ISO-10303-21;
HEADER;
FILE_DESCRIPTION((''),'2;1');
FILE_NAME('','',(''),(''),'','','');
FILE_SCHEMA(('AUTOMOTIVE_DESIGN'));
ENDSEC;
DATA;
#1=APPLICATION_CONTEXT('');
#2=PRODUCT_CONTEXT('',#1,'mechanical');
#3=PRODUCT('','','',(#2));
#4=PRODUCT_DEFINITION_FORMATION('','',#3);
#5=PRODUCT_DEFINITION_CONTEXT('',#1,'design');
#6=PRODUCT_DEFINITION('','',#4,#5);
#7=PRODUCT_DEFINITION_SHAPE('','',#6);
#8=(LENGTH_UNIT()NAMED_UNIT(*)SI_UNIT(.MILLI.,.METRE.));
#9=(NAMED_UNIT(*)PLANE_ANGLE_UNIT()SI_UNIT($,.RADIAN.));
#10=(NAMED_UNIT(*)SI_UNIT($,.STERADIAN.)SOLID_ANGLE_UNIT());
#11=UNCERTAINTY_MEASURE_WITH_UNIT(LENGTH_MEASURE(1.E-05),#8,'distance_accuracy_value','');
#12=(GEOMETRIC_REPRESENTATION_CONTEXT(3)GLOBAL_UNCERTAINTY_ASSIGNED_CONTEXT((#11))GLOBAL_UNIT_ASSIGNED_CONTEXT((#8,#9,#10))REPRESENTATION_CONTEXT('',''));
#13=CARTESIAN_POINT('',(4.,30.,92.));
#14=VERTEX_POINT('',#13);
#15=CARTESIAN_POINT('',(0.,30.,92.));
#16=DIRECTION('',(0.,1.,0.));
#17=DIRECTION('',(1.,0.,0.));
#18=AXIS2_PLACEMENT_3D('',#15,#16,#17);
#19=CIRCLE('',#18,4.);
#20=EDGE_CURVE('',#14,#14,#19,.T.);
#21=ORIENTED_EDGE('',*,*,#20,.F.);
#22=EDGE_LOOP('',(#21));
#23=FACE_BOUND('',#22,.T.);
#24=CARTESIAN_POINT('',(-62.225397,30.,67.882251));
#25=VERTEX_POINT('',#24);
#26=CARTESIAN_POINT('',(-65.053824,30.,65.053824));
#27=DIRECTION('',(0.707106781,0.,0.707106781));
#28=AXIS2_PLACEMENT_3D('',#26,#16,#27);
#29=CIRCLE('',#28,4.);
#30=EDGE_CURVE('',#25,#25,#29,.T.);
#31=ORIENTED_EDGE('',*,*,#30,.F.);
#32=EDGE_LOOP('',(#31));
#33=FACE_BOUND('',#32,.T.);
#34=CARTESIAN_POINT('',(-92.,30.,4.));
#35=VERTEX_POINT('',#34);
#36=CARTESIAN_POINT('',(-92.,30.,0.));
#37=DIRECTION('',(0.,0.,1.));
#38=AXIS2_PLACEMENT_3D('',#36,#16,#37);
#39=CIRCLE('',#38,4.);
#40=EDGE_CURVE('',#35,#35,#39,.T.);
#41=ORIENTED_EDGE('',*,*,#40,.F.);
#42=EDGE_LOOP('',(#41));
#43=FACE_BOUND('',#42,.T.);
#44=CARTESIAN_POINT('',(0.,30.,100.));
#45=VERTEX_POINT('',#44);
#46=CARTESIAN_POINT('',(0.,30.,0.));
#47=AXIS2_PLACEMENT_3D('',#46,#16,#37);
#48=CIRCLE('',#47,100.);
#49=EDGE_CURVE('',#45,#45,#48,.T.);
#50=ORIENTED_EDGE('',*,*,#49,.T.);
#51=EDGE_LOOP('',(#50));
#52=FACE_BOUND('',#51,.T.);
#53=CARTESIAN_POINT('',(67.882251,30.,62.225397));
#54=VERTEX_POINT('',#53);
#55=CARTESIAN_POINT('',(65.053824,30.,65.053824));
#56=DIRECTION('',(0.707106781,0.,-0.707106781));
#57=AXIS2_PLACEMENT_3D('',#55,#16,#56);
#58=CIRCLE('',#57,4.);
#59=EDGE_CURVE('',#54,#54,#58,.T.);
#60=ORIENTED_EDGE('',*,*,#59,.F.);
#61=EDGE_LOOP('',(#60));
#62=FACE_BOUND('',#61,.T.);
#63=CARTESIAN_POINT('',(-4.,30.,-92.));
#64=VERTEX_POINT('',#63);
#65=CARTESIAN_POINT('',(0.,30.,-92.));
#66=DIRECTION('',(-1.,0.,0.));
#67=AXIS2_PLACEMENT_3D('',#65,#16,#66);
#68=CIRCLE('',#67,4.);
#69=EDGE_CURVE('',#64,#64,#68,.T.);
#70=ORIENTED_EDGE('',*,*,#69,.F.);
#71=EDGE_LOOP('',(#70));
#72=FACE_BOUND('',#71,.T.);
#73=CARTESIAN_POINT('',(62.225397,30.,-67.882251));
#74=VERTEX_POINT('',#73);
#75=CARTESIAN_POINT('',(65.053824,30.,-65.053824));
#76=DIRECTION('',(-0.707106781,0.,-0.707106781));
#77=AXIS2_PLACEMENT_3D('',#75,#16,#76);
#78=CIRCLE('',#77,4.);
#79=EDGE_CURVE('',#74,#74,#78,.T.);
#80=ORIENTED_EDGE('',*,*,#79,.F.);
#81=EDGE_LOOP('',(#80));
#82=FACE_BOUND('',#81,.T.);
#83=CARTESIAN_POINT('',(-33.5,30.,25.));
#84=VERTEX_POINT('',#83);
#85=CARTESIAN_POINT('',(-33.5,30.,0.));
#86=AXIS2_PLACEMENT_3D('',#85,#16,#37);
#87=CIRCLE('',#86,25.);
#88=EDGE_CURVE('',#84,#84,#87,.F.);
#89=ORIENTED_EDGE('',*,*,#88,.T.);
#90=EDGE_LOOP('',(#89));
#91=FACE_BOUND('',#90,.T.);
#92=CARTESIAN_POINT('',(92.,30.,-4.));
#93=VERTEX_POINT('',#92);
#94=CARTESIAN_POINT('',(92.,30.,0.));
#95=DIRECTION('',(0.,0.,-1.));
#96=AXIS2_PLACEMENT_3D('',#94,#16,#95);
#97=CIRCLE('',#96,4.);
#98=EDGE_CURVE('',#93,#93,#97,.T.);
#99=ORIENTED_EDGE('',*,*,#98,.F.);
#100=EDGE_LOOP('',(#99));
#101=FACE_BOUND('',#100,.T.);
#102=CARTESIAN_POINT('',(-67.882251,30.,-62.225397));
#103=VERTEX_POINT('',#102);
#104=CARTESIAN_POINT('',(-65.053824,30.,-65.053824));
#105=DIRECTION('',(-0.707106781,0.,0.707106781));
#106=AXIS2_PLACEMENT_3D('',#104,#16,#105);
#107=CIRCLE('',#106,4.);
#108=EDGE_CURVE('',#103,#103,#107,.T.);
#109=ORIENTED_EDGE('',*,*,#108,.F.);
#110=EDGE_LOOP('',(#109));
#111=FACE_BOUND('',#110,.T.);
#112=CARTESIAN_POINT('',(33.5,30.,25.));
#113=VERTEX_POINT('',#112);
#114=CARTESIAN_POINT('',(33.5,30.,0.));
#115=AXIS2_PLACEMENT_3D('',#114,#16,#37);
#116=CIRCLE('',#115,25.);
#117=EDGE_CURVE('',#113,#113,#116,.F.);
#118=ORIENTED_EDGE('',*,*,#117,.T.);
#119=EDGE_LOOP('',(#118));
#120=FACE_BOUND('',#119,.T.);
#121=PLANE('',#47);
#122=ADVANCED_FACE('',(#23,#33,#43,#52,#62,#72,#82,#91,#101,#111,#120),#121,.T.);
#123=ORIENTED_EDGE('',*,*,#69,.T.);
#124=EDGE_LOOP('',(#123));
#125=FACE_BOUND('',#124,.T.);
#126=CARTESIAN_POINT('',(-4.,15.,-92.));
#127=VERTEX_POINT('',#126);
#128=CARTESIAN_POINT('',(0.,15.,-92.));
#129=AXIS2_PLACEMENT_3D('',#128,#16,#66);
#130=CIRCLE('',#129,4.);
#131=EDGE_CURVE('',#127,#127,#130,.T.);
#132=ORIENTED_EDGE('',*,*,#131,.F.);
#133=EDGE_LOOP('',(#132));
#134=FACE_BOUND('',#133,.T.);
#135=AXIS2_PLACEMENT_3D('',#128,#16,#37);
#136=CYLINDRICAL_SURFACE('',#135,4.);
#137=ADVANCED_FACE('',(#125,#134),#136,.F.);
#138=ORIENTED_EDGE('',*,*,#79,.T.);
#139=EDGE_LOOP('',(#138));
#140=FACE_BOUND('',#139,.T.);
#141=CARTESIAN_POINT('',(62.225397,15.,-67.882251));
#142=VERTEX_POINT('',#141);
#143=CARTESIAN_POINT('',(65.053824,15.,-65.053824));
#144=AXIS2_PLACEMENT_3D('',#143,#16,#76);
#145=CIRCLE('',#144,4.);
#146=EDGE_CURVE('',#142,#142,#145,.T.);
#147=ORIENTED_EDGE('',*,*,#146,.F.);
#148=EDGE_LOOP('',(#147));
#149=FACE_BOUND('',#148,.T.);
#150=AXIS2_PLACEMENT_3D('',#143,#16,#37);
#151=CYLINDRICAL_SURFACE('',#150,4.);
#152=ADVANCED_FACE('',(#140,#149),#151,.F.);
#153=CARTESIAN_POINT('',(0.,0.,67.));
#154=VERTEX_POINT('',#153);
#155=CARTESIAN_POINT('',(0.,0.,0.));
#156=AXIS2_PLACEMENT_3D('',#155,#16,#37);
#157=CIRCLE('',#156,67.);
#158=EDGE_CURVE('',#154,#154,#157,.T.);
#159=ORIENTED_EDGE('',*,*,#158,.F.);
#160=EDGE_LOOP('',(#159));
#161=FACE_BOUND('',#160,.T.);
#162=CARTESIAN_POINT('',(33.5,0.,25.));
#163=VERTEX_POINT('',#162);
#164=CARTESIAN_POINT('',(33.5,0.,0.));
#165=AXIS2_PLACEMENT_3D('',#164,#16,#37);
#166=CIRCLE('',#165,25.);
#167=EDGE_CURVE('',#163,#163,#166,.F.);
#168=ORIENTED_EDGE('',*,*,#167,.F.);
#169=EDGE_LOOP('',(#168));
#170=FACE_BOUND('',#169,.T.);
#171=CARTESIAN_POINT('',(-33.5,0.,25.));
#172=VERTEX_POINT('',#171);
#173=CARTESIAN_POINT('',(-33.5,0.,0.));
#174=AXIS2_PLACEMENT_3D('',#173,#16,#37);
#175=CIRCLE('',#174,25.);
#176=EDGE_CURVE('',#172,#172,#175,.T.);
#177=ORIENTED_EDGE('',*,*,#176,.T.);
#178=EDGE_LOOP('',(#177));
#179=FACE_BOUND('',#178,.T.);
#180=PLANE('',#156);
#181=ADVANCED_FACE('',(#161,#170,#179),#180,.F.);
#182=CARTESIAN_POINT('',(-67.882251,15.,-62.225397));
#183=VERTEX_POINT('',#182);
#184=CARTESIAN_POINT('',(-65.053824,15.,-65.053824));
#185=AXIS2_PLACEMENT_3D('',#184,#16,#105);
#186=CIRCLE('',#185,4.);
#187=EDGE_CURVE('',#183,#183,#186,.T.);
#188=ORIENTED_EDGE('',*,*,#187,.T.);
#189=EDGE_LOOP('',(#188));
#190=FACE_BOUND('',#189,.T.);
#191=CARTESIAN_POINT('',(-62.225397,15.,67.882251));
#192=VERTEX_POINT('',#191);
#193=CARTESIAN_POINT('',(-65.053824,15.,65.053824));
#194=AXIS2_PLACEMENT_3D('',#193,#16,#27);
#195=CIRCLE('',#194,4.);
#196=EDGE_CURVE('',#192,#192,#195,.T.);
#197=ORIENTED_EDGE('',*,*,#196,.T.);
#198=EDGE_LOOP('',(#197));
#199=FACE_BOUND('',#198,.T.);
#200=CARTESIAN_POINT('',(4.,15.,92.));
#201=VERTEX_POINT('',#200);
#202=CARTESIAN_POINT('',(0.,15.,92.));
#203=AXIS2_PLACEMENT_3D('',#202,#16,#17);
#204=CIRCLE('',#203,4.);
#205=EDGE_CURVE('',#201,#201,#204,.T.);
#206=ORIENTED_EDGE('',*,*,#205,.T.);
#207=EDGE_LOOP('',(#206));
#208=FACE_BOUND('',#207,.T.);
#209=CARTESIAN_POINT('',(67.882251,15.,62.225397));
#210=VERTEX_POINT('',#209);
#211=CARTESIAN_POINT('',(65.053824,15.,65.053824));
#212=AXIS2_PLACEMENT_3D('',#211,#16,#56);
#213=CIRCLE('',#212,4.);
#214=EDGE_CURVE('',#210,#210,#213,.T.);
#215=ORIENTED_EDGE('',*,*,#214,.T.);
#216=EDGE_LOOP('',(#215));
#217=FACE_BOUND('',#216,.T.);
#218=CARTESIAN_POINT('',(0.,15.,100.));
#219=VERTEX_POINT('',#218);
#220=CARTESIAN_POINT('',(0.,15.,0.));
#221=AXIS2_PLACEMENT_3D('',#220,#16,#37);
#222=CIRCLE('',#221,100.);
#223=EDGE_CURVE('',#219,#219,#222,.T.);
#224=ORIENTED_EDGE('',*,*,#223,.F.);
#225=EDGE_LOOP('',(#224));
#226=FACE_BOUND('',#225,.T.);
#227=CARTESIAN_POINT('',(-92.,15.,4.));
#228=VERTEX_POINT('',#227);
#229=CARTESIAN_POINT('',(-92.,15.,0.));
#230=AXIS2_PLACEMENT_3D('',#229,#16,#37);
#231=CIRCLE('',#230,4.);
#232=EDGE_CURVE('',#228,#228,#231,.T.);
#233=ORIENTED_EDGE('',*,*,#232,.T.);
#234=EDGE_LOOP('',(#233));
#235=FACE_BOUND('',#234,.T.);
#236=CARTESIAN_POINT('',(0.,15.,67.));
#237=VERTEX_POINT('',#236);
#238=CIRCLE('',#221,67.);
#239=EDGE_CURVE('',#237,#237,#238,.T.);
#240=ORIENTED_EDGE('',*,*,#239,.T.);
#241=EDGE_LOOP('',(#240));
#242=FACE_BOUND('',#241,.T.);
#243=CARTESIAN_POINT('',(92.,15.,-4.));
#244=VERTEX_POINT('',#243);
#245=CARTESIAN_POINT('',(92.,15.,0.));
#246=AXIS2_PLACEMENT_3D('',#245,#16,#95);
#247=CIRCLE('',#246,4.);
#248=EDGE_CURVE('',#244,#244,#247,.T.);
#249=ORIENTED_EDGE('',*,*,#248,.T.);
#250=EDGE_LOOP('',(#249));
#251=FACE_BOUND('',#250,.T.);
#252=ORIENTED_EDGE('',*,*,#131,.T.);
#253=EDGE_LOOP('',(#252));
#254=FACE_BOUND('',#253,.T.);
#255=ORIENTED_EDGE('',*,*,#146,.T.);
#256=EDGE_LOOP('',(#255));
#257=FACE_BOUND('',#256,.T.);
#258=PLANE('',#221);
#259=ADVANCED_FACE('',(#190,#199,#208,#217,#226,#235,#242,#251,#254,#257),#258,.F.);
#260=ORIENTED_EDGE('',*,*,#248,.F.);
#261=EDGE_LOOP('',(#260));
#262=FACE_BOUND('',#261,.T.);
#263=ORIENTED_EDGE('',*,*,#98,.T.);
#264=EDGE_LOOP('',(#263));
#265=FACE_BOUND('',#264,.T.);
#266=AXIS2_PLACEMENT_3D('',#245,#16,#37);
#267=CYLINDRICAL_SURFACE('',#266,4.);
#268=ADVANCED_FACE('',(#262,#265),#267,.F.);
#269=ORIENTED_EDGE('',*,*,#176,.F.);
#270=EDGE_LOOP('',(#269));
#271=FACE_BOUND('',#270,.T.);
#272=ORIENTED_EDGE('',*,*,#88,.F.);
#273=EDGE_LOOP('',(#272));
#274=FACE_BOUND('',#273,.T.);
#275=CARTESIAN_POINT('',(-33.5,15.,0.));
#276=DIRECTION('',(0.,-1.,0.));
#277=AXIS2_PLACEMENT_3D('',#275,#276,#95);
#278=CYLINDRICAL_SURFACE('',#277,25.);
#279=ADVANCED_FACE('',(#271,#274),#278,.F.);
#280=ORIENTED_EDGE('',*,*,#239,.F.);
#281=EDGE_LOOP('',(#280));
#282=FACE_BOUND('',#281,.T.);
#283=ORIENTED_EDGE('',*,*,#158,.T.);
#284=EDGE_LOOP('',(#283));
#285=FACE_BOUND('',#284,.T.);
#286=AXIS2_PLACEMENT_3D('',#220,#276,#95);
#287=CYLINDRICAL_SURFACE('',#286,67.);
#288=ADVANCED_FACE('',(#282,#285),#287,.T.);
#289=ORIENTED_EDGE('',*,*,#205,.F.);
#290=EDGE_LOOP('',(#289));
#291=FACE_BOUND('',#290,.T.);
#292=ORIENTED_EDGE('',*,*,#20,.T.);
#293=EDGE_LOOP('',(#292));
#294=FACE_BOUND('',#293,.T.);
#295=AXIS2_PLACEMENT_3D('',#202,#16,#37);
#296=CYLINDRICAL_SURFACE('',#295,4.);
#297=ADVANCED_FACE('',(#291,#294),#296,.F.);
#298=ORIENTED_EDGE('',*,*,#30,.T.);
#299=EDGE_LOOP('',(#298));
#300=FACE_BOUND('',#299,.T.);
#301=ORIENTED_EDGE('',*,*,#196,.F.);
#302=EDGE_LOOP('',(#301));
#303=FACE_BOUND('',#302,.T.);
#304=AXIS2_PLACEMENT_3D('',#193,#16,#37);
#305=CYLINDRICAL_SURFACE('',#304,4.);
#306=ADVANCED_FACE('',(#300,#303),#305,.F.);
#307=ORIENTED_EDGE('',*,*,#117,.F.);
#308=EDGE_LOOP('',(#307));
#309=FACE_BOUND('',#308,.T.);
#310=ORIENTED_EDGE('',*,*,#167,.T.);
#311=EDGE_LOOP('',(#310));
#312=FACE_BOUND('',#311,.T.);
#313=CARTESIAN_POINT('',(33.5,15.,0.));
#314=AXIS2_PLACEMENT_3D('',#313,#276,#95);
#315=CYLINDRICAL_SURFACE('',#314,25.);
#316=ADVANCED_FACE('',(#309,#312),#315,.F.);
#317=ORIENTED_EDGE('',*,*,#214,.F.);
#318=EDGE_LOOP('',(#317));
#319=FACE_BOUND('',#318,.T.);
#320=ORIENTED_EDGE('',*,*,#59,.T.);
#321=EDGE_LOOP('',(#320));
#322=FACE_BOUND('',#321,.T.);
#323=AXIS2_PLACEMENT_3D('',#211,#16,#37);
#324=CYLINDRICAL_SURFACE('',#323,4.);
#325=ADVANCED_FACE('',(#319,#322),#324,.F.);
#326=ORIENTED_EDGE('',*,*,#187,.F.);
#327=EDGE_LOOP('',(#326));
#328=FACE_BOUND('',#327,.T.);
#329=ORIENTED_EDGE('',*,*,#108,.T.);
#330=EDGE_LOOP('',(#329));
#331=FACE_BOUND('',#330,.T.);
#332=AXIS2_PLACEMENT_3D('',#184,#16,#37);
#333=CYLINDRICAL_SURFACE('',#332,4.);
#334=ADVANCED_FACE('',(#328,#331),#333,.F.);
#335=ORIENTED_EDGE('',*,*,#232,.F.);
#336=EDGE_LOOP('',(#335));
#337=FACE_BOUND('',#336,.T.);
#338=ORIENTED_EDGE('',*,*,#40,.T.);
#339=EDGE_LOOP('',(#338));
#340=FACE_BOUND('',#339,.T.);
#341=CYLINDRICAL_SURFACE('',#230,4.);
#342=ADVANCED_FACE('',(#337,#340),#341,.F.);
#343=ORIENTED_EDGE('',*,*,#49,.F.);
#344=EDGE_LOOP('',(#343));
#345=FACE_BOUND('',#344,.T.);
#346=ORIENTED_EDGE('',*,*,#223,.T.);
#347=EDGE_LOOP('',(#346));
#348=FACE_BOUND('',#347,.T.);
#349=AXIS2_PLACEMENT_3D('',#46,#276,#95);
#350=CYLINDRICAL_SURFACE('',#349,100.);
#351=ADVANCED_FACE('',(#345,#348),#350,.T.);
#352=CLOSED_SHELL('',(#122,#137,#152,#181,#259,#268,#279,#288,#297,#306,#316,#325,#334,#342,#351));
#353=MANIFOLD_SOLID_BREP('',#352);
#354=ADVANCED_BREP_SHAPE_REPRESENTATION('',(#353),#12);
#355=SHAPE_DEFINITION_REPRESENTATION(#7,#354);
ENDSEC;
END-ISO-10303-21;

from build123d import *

# Parameters (mm, degrees)
SKETCH1_R           = 67
SKETCH1_R_2         = 25
BOSS_EXTRUDE1_DEPTH = 15
SKETCH2_R           = 100
SKETCH2_R_2         = 25
BOSS_EXTRUDE2_DEPTH = 15
SKETCH4_R           = 4
CUT_EXTRUDE2_DEPTH  = 15
CIRPATTERN1_COUNT   = 8


with BuildPart() as part:
    # Sketch1 → Boss-Extrude1 (new body)
    with BuildSketch(Plane(origin=(0, 0, 0), x_dir=(1, 0, 0), z_dir=(0, 1, 0))):
        with Locations(Location((0, 0, 0), (0, 0, 270))):
            Circle(SKETCH1_R)
        with Locations(Location((-33.5, 0, 0), (0, 0, 270))):
            Circle(SKETCH1_R_2, mode=Mode.SUBTRACT)
        with Locations(Location((33.5, 0, 0), (0, 0, 270))):
            Circle(SKETCH1_R_2, mode=Mode.SUBTRACT)
    extrude(amount=BOSS_EXTRUDE1_DEPTH)

    # Sketch2 → Boss-Extrude2 (add)
    with BuildSketch(Plane(origin=(0, 15, 0), x_dir=(1, 0, 0), z_dir=(0, 1, 0))):
        with Locations(Location((0, 0, 0), (0, 0, 270))):
            Circle(SKETCH2_R)
        with Locations(Location((33.5, 0, 0), (0, 0, 270))):
            Circle(SKETCH2_R_2, mode=Mode.SUBTRACT)
        with Locations(Location((-33.5, 0, 0), (0, 0, 270))):
            Circle(SKETCH2_R_2, mode=Mode.SUBTRACT)
    extrude(amount=BOSS_EXTRUDE2_DEPTH)

    # Sketch4 → Cut-Extrude2 (cut)
    with BuildSketch(Plane(origin=(0, 30, 0), x_dir=(1, 0, 0), z_dir=(0, 1, 0))):
        with Locations(Location((-92, 0, 0), (0, 0, 270))):
            Circle(SKETCH4_R)
    cut_extrude2 = extrude(amount=-CUT_EXTRUDE2_DEPTH, mode=Mode.SUBTRACT)

    # CirPattern1: Cut-Extrude2 ×8 about axis
    cirpattern1_axis = Axis((0, 0, 0), (0, 1, 0))
    for i in range(1, CIRPATTERN1_COUNT):
        add(cut_extrude2.rotate(cirpattern1_axis, i * 360 / CIRPATTERN1_COUNT), mode=Mode.SUBTRACT)


solid = part.part
